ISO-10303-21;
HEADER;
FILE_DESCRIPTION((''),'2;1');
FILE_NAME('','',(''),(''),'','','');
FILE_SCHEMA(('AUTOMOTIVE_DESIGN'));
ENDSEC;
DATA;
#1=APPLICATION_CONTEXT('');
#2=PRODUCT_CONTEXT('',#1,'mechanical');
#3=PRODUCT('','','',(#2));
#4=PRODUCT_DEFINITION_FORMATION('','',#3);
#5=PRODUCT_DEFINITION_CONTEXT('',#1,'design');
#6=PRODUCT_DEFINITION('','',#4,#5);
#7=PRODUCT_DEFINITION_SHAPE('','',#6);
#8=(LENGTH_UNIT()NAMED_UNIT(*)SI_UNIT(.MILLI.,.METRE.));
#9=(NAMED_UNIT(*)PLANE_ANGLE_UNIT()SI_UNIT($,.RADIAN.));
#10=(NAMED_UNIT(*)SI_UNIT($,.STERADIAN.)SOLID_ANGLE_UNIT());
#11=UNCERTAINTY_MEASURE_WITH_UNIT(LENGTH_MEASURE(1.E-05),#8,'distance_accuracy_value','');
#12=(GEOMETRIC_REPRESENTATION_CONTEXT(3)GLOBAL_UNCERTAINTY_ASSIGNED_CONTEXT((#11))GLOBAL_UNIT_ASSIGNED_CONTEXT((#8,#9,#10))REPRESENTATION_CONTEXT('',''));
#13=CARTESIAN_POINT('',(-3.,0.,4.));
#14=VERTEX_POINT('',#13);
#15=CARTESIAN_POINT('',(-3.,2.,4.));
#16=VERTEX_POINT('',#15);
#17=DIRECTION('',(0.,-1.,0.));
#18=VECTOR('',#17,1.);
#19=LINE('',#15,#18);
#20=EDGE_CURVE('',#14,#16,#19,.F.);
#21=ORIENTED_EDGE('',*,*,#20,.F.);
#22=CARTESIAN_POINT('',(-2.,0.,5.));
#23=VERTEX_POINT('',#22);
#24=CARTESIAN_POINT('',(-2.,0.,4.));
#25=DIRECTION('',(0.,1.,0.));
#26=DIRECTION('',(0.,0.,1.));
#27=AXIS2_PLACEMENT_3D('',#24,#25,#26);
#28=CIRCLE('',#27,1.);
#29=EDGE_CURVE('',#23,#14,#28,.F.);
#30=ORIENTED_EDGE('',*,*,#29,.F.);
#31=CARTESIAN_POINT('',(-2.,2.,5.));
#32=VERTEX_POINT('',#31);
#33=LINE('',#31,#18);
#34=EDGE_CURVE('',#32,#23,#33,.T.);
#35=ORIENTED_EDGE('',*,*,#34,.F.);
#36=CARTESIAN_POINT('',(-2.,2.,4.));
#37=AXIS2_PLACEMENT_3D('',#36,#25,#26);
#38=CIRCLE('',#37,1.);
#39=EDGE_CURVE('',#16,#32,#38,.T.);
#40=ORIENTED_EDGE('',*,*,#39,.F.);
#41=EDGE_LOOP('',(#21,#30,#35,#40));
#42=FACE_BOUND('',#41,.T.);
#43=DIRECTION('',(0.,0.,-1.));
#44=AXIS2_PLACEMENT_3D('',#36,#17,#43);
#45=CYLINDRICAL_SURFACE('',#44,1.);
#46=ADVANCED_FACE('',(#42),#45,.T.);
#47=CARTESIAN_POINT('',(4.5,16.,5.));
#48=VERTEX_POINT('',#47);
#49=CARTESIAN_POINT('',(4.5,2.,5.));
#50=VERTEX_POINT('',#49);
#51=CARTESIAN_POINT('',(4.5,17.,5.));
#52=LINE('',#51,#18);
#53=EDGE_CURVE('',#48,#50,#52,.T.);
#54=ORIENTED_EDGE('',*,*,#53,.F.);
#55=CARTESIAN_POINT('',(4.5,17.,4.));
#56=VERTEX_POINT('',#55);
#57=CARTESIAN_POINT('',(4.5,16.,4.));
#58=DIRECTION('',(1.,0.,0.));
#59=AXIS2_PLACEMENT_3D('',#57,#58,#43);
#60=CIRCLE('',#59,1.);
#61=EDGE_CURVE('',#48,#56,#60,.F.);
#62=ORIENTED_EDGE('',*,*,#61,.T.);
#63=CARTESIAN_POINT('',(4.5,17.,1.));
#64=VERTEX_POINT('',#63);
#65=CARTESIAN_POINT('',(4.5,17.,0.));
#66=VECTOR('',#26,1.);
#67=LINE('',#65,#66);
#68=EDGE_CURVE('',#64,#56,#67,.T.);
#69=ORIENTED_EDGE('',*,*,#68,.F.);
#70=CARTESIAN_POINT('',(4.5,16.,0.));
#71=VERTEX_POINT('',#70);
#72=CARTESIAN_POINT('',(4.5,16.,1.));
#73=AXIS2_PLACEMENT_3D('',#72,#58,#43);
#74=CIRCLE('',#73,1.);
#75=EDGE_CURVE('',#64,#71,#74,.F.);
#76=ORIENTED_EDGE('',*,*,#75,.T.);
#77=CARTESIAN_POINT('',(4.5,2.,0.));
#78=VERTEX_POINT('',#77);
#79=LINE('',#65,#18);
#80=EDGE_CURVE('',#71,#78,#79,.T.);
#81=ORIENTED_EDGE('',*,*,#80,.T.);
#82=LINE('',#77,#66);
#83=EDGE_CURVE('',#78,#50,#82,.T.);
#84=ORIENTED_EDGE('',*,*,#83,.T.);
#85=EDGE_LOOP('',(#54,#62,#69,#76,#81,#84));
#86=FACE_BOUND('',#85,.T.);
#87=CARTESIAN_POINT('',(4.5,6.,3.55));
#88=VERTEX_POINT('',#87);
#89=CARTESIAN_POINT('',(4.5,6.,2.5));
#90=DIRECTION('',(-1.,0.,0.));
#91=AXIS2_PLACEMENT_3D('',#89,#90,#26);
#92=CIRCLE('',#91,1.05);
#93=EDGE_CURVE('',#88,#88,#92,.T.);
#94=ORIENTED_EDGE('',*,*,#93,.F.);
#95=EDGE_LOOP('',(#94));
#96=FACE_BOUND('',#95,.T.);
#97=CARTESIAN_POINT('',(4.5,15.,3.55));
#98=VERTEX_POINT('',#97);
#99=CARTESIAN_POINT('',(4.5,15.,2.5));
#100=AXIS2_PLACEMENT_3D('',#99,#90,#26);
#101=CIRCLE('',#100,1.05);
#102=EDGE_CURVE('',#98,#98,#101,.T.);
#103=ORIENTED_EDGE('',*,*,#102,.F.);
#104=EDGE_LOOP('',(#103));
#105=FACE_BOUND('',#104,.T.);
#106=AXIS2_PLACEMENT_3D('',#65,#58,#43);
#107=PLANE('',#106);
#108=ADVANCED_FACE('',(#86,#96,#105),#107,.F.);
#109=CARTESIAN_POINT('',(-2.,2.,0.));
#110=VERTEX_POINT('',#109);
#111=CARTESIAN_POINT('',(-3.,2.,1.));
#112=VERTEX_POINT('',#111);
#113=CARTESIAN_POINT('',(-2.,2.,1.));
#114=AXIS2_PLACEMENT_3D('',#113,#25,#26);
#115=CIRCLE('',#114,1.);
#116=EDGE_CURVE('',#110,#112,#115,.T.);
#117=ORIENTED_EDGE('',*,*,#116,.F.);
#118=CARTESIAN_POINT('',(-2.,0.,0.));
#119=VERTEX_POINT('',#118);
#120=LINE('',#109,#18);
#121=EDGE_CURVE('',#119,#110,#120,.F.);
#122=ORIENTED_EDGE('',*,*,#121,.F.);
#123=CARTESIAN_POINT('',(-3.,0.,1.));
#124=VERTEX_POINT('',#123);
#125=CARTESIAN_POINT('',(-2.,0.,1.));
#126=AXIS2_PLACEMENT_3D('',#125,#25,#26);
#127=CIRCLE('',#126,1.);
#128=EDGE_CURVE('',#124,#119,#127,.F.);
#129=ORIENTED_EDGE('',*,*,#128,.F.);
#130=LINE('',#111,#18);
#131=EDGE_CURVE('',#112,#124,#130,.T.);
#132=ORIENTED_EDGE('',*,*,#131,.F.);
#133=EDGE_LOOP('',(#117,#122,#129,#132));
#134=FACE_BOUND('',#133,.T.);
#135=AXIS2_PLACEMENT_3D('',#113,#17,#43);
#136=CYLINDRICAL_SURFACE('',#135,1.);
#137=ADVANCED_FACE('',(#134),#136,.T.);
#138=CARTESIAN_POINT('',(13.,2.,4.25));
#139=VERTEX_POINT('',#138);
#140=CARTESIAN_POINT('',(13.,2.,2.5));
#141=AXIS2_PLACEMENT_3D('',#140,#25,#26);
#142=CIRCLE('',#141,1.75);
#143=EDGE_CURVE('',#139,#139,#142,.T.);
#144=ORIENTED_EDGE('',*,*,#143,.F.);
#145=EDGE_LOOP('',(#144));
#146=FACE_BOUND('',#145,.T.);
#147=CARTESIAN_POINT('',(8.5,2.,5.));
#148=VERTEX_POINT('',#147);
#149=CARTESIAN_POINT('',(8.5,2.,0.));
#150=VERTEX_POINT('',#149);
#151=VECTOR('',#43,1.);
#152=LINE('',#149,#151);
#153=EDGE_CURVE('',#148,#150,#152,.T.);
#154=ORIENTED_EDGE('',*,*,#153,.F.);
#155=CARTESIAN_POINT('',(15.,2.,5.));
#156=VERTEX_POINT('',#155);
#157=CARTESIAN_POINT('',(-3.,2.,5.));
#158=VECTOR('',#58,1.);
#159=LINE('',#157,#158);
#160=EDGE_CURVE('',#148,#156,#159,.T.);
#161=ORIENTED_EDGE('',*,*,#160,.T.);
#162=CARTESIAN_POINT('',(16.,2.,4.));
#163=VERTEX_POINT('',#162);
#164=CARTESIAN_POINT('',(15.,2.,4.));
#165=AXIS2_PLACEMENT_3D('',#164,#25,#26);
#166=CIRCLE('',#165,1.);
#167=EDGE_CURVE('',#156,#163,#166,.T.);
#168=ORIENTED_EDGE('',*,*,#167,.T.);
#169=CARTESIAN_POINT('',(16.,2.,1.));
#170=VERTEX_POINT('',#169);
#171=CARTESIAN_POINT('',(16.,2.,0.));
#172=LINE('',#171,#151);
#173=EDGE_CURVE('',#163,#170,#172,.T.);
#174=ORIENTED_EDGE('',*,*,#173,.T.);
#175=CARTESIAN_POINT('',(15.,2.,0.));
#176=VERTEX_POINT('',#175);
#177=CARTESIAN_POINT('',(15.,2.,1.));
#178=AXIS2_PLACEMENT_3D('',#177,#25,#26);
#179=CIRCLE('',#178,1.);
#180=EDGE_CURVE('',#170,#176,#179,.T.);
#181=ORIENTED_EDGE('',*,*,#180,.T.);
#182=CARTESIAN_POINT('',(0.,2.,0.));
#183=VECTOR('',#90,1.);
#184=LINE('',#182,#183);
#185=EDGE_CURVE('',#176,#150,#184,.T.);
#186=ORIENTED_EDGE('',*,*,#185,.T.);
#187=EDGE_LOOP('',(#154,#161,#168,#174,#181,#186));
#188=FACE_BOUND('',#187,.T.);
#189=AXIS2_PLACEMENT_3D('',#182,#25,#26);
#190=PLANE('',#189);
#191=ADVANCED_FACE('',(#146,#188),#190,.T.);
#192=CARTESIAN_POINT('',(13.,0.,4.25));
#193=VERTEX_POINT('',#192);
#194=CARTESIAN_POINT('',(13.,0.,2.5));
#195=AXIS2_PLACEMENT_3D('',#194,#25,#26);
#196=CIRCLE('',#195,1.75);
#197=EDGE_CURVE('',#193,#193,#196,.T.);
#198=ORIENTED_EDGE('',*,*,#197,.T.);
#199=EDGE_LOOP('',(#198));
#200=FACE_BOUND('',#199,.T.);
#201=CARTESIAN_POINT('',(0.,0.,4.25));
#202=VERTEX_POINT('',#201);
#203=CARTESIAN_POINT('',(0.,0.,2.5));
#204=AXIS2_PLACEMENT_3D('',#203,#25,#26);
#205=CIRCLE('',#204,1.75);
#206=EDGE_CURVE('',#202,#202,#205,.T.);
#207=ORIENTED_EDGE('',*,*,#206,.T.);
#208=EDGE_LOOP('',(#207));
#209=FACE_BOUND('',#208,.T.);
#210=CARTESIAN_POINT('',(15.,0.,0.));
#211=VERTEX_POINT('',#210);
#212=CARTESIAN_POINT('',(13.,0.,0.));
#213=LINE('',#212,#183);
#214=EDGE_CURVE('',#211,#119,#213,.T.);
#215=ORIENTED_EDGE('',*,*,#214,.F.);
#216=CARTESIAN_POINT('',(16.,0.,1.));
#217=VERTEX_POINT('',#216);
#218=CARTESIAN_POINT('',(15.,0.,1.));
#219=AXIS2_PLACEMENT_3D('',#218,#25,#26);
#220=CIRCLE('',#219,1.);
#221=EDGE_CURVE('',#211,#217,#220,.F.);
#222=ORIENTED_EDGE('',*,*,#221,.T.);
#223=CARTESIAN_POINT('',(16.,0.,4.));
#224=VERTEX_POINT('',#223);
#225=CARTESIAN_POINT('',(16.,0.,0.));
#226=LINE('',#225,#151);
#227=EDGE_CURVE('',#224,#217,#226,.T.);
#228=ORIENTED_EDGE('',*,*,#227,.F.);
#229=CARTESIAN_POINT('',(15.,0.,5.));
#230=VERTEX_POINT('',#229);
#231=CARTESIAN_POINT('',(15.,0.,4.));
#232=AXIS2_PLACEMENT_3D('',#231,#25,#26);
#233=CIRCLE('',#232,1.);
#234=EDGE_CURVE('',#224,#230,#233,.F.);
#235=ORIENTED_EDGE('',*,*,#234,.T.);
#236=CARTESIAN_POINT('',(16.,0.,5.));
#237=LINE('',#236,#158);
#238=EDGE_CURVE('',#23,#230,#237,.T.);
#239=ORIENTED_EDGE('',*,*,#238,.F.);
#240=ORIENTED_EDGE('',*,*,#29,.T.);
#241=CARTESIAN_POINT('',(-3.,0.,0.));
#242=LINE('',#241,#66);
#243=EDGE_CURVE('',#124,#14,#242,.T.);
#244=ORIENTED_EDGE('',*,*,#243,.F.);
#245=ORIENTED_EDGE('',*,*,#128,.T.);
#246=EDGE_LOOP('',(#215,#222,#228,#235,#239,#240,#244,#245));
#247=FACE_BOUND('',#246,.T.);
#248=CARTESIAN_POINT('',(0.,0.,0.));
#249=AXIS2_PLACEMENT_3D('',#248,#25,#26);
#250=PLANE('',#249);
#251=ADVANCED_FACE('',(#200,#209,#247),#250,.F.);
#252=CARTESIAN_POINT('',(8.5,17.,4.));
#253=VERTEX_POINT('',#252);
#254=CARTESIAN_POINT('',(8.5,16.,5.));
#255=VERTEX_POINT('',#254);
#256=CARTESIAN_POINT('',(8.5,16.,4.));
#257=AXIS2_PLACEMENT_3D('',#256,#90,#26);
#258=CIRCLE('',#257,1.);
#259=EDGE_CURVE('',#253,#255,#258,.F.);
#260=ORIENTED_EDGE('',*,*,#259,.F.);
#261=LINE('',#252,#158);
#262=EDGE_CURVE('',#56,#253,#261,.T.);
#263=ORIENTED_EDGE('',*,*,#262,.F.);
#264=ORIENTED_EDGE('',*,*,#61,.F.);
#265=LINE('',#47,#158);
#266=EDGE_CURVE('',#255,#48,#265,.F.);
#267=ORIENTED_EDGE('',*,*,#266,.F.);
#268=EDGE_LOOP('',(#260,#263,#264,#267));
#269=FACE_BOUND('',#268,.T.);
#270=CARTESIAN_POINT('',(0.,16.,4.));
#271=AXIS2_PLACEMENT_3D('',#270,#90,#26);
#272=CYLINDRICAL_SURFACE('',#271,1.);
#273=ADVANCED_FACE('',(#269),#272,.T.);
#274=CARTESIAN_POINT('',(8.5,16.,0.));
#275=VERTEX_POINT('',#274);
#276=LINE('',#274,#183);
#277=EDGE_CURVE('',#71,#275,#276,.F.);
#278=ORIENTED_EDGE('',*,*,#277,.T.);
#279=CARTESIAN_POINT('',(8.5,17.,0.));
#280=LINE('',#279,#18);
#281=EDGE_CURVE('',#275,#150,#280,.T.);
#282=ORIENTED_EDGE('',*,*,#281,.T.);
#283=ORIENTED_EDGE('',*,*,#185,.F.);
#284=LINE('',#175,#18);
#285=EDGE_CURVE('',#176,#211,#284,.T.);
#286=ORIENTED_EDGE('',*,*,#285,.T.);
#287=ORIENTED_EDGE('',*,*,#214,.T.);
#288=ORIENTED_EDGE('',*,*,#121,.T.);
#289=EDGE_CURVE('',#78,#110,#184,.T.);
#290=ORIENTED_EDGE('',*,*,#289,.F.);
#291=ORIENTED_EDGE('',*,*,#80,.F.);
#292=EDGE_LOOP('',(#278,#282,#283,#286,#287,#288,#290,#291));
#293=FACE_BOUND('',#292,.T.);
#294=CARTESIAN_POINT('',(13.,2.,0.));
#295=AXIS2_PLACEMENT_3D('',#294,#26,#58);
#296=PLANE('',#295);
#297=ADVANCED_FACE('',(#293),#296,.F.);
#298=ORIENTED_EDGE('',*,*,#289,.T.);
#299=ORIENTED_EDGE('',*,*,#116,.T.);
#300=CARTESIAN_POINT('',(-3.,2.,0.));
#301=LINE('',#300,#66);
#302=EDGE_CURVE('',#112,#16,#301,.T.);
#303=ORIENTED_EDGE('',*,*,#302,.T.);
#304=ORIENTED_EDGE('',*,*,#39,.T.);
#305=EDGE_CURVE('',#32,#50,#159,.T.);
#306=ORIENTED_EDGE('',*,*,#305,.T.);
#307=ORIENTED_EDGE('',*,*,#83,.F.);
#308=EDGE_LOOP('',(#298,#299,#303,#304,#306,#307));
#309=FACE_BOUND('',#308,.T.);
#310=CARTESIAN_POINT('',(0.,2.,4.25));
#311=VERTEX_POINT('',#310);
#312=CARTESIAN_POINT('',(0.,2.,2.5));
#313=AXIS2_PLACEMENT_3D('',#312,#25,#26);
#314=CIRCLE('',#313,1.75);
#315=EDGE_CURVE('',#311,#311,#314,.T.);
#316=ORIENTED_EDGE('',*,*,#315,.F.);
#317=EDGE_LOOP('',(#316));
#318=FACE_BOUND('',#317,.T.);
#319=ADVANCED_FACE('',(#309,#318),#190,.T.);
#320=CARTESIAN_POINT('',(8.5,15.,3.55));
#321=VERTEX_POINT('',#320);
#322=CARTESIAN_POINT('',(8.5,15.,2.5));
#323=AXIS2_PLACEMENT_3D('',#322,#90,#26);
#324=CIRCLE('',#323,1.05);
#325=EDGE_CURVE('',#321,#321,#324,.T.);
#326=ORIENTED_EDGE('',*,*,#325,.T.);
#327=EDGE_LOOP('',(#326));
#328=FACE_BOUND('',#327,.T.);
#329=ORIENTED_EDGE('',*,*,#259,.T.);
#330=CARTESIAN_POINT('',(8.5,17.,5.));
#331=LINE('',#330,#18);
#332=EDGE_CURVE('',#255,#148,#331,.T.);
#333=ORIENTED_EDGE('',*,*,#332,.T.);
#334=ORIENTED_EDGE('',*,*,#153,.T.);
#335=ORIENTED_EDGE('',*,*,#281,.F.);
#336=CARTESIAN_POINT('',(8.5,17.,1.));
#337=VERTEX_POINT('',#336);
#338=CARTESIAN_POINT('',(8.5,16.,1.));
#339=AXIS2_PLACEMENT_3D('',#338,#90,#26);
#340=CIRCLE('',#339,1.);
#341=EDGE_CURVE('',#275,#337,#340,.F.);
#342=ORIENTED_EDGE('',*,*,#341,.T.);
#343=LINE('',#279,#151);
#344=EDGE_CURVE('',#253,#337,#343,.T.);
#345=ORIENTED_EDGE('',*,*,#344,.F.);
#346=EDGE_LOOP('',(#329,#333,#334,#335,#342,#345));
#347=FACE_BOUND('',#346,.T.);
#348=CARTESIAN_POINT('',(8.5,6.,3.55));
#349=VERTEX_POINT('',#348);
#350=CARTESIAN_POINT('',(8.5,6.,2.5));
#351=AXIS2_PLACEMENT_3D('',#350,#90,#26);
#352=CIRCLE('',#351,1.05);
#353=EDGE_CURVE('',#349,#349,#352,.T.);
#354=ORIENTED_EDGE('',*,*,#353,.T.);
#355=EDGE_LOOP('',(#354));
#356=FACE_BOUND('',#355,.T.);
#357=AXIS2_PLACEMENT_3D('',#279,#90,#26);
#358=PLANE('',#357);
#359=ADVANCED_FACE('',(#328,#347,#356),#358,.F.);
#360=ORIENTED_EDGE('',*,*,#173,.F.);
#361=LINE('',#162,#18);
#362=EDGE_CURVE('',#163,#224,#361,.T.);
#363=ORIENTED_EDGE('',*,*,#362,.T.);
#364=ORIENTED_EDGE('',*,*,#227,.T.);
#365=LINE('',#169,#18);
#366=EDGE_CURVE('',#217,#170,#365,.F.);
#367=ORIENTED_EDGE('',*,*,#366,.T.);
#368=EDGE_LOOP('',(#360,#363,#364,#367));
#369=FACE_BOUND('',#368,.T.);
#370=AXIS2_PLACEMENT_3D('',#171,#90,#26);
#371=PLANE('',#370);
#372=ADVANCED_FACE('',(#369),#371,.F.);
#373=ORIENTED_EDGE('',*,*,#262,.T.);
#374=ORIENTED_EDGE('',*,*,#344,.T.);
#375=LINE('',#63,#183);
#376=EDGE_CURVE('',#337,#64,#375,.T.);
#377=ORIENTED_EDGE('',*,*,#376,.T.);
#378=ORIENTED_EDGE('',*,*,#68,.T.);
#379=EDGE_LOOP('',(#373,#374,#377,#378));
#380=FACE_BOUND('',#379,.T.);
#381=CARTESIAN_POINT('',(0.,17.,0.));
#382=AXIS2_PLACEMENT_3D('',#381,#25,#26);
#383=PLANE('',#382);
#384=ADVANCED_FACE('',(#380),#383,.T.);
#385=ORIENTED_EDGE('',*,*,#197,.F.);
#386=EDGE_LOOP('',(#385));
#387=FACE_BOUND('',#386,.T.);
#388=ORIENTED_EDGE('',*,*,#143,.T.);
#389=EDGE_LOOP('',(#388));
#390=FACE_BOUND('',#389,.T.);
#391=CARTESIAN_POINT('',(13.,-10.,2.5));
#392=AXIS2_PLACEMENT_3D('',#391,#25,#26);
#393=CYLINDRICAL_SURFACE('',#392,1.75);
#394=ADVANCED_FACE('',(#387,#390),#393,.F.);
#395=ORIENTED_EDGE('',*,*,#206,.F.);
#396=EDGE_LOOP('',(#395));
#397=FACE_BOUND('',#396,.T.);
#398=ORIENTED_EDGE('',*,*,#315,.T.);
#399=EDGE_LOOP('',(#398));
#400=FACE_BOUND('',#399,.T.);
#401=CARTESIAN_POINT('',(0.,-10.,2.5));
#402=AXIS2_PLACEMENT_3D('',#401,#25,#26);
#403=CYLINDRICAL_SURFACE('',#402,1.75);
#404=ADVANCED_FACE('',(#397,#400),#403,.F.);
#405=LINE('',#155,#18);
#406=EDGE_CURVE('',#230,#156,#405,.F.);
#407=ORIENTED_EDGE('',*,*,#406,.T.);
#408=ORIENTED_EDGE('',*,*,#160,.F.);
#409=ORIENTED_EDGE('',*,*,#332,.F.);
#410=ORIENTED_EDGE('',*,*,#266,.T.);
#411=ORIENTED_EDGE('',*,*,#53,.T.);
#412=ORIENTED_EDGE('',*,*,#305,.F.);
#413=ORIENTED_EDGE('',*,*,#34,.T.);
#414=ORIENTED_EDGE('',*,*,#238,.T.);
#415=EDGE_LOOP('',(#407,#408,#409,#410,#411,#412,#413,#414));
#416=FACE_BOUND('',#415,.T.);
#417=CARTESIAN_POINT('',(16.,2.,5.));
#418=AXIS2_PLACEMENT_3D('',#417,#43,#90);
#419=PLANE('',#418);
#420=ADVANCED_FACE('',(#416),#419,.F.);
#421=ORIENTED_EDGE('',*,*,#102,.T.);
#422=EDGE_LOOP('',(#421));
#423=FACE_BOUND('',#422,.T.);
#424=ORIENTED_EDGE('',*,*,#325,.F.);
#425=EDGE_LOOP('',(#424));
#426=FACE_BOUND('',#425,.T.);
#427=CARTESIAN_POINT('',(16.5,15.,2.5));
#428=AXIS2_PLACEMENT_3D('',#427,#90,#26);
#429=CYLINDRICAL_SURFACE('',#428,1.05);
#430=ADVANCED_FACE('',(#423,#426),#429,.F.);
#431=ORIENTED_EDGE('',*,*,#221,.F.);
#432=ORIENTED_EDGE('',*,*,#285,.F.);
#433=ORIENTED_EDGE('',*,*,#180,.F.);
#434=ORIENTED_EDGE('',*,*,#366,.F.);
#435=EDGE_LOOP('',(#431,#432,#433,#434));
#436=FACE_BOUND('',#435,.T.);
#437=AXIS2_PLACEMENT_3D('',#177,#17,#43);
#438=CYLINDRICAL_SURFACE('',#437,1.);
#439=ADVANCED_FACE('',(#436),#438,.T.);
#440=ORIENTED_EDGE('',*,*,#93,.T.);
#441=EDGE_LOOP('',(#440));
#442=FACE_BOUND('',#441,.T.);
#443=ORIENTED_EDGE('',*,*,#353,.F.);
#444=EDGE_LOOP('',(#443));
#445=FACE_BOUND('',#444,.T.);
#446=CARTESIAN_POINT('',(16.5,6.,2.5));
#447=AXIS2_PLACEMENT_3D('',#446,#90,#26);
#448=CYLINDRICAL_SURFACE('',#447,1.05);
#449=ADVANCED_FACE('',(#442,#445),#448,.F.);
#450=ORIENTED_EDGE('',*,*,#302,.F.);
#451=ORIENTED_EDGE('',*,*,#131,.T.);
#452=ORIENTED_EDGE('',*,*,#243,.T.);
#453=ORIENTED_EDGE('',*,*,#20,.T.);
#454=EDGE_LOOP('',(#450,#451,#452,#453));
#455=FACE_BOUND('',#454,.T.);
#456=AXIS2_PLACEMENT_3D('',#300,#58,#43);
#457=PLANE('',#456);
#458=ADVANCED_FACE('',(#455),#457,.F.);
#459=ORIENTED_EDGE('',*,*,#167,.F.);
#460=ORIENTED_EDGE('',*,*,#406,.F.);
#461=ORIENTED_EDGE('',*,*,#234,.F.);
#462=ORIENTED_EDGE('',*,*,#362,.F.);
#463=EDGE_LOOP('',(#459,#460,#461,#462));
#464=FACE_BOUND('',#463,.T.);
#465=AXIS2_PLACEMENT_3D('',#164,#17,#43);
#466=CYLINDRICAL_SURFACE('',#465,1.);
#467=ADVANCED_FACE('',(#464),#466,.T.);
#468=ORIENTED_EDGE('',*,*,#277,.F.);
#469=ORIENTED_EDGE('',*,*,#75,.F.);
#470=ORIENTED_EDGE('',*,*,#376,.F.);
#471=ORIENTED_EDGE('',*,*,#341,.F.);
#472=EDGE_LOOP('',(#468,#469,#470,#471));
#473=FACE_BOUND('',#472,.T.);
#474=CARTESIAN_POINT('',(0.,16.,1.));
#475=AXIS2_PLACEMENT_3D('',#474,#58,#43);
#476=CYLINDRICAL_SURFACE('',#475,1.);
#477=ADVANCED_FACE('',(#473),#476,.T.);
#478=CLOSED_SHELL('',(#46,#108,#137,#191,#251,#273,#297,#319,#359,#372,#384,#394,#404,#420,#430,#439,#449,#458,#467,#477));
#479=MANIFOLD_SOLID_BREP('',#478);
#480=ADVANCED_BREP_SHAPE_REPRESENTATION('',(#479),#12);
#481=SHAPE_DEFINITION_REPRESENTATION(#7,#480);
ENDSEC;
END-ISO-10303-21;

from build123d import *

# Parameters (mm, degrees)
EXTRUDE_1_DEPTH     = 2
SKETCH_2_W          = 4
SKETCH_2_H          = 5
EXTRUDE_2_DEPTH     = 15
SKETCH_3_R          = 1.05
CUT_EXTRUDE_1_DEPTH = 12
SKETCH_5_R          = 1.75
CUT_EXTRUDE_2_DEPTH = 12
FILLET_1_R          = 1
FILLET_2_R          = 1


with BuildPart() as part:
    # 草图1 → 凸台-拉伸1 (new body)
    with BuildSketch(Plane(origin=(0, 0, 0), x_dir=(1, 0, 0), z_dir=(0, 1, 0))):
        Polygon((0, -5), (13, -5), (16, -5), (16, 0), (13, 0), (0, 0), (-3, 0), (-3, -5), align=None)
    extrude(amount=EXTRUDE_1_DEPTH)

    # 草图2 → 凸台-拉伸2 (add)
    with BuildSketch(Plane(origin=(0, 2, 0), x_dir=(1, 0, 0), z_dir=(0, 1, 0))):
        with Locations((6.5, -2.5)):
            Rectangle(SKETCH_2_W, SKETCH_2_H)
    extrude(amount=EXTRUDE_2_DEPTH)

    # 草图3 → 切除-拉伸1 (cut)
    with BuildSketch(Plane.ZY.offset(-4.5)):
        with Locations((2.5, 15)):
            Circle(SKETCH_3_R)
        with Locations((2.5, 6)):
            Circle(SKETCH_3_R)
    extrude(amount=-CUT_EXTRUDE_1_DEPTH, mode=Mode.SUBTRACT)

    # 草图5 → 切除-拉伸2 (cut)
    with BuildSketch(Plane(origin=(0, 2, 0), x_dir=(1, 0, 0), z_dir=(0, 1, 0))):
        with Locations(Location((0, -2.5, 0), (0, 0, 270))):
            Circle(SKETCH_5_R)
        with Locations(Location((13, -2.5, 0), (0, 0, 270))):
            Circle(SKETCH_5_R)
    extrude(amount=-CUT_EXTRUDE_2_DEPTH, mode=Mode.SUBTRACT)

    # 圆角1
    fillet_1_edges = [part.edges().sort_by_distance(p)[0] for p in [
        (16, 1, 0),
        (16, 1, 5),
        (-3, 1, 5),
        (-3, 1, 0),
    ]]
    fillet(fillet_1_edges, radius=FILLET_1_R)

    # 圆角2
    fillet_2_edges = [part.edges().sort_by_distance(p)[0] for p in [
        (6.5, 17, 0),
        (6.5, 17, 5),
    ]]
    fillet(fillet_2_edges, radius=FILLET_2_R)


solid = part.part
